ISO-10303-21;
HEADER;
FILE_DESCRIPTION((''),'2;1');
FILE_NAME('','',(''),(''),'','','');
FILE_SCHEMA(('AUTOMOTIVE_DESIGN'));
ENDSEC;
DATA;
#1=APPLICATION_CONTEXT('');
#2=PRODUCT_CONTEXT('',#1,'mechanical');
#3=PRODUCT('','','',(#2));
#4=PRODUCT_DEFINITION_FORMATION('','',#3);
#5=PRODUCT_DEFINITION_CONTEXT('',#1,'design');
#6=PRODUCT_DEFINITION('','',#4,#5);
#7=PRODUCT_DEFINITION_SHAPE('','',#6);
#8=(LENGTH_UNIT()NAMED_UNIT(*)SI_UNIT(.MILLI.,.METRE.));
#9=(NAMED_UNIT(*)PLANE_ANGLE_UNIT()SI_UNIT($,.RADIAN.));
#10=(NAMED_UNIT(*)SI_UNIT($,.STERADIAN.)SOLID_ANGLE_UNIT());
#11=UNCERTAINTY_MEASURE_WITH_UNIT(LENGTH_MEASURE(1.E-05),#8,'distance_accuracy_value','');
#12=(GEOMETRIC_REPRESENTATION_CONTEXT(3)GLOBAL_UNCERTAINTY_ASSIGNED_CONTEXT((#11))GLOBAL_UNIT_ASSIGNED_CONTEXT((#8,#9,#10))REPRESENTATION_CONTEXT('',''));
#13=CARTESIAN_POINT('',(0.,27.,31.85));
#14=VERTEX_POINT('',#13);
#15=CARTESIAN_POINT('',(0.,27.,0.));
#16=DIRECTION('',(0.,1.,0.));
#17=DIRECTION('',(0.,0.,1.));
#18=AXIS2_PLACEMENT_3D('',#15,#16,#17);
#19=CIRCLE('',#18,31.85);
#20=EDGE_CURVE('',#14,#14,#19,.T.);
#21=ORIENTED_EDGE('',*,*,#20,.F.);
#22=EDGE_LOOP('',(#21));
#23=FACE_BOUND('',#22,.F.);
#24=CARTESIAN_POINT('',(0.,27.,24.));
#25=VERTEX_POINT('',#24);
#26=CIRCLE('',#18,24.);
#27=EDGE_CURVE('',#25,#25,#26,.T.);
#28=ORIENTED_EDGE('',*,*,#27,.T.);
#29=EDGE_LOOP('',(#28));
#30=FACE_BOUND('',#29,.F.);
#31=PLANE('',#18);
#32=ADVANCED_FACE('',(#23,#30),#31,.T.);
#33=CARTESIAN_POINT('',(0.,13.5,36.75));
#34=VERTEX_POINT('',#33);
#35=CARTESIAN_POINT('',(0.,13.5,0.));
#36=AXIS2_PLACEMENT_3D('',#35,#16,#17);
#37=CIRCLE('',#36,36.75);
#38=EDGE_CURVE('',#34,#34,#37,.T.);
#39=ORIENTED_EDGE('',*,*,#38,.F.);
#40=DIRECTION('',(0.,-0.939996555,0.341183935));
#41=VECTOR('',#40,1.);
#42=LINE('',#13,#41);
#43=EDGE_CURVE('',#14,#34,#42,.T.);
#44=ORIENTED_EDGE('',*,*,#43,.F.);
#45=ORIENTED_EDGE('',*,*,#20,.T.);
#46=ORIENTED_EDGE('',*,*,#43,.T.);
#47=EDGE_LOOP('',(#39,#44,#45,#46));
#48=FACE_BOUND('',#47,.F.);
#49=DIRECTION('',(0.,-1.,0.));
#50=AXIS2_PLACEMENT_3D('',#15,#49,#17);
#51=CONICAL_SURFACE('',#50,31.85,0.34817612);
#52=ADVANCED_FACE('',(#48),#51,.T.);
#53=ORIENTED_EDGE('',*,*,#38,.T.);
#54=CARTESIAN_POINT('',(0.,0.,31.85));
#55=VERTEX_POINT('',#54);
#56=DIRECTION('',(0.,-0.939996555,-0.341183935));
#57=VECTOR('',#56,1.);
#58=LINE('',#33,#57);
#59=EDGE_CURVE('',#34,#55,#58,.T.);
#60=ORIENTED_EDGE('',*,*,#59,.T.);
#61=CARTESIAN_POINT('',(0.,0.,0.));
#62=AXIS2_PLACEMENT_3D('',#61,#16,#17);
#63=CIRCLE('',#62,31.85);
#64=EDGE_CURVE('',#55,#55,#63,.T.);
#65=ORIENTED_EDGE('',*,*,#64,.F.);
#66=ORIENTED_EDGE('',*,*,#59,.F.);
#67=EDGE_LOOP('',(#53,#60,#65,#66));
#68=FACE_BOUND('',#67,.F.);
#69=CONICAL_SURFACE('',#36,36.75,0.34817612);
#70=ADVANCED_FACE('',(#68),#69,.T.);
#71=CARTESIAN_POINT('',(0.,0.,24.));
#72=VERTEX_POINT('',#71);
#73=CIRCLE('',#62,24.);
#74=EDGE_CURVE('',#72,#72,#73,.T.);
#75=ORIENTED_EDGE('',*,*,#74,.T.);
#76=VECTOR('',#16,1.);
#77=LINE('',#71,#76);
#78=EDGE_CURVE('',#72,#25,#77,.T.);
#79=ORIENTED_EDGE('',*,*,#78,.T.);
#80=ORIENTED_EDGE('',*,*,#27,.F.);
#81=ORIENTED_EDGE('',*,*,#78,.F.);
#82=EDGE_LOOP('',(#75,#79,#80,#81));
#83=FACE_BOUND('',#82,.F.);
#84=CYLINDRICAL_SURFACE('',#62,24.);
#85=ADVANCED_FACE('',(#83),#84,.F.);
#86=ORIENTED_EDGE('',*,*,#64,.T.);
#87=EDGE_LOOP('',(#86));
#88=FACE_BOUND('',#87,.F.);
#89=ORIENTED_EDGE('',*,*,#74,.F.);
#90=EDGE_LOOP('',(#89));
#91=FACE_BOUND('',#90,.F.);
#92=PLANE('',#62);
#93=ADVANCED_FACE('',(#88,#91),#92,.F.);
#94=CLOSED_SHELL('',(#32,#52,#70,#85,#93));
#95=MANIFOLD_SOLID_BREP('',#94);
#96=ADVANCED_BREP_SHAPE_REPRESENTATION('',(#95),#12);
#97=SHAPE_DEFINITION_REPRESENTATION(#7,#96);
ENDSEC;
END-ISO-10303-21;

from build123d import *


with BuildPart() as f1:
    # F0 (on Right) → F1 (revolve)
    with BuildSketch(Plane.YZ):
        Polygon((0, 31.85), (0, 24), (27, 24), (27, 31.85), (13.5, 36.75), align=None)
    revolve(axis=Axis((0, 13.5, 0), (0, 1, 0)))


solid = f1.part
